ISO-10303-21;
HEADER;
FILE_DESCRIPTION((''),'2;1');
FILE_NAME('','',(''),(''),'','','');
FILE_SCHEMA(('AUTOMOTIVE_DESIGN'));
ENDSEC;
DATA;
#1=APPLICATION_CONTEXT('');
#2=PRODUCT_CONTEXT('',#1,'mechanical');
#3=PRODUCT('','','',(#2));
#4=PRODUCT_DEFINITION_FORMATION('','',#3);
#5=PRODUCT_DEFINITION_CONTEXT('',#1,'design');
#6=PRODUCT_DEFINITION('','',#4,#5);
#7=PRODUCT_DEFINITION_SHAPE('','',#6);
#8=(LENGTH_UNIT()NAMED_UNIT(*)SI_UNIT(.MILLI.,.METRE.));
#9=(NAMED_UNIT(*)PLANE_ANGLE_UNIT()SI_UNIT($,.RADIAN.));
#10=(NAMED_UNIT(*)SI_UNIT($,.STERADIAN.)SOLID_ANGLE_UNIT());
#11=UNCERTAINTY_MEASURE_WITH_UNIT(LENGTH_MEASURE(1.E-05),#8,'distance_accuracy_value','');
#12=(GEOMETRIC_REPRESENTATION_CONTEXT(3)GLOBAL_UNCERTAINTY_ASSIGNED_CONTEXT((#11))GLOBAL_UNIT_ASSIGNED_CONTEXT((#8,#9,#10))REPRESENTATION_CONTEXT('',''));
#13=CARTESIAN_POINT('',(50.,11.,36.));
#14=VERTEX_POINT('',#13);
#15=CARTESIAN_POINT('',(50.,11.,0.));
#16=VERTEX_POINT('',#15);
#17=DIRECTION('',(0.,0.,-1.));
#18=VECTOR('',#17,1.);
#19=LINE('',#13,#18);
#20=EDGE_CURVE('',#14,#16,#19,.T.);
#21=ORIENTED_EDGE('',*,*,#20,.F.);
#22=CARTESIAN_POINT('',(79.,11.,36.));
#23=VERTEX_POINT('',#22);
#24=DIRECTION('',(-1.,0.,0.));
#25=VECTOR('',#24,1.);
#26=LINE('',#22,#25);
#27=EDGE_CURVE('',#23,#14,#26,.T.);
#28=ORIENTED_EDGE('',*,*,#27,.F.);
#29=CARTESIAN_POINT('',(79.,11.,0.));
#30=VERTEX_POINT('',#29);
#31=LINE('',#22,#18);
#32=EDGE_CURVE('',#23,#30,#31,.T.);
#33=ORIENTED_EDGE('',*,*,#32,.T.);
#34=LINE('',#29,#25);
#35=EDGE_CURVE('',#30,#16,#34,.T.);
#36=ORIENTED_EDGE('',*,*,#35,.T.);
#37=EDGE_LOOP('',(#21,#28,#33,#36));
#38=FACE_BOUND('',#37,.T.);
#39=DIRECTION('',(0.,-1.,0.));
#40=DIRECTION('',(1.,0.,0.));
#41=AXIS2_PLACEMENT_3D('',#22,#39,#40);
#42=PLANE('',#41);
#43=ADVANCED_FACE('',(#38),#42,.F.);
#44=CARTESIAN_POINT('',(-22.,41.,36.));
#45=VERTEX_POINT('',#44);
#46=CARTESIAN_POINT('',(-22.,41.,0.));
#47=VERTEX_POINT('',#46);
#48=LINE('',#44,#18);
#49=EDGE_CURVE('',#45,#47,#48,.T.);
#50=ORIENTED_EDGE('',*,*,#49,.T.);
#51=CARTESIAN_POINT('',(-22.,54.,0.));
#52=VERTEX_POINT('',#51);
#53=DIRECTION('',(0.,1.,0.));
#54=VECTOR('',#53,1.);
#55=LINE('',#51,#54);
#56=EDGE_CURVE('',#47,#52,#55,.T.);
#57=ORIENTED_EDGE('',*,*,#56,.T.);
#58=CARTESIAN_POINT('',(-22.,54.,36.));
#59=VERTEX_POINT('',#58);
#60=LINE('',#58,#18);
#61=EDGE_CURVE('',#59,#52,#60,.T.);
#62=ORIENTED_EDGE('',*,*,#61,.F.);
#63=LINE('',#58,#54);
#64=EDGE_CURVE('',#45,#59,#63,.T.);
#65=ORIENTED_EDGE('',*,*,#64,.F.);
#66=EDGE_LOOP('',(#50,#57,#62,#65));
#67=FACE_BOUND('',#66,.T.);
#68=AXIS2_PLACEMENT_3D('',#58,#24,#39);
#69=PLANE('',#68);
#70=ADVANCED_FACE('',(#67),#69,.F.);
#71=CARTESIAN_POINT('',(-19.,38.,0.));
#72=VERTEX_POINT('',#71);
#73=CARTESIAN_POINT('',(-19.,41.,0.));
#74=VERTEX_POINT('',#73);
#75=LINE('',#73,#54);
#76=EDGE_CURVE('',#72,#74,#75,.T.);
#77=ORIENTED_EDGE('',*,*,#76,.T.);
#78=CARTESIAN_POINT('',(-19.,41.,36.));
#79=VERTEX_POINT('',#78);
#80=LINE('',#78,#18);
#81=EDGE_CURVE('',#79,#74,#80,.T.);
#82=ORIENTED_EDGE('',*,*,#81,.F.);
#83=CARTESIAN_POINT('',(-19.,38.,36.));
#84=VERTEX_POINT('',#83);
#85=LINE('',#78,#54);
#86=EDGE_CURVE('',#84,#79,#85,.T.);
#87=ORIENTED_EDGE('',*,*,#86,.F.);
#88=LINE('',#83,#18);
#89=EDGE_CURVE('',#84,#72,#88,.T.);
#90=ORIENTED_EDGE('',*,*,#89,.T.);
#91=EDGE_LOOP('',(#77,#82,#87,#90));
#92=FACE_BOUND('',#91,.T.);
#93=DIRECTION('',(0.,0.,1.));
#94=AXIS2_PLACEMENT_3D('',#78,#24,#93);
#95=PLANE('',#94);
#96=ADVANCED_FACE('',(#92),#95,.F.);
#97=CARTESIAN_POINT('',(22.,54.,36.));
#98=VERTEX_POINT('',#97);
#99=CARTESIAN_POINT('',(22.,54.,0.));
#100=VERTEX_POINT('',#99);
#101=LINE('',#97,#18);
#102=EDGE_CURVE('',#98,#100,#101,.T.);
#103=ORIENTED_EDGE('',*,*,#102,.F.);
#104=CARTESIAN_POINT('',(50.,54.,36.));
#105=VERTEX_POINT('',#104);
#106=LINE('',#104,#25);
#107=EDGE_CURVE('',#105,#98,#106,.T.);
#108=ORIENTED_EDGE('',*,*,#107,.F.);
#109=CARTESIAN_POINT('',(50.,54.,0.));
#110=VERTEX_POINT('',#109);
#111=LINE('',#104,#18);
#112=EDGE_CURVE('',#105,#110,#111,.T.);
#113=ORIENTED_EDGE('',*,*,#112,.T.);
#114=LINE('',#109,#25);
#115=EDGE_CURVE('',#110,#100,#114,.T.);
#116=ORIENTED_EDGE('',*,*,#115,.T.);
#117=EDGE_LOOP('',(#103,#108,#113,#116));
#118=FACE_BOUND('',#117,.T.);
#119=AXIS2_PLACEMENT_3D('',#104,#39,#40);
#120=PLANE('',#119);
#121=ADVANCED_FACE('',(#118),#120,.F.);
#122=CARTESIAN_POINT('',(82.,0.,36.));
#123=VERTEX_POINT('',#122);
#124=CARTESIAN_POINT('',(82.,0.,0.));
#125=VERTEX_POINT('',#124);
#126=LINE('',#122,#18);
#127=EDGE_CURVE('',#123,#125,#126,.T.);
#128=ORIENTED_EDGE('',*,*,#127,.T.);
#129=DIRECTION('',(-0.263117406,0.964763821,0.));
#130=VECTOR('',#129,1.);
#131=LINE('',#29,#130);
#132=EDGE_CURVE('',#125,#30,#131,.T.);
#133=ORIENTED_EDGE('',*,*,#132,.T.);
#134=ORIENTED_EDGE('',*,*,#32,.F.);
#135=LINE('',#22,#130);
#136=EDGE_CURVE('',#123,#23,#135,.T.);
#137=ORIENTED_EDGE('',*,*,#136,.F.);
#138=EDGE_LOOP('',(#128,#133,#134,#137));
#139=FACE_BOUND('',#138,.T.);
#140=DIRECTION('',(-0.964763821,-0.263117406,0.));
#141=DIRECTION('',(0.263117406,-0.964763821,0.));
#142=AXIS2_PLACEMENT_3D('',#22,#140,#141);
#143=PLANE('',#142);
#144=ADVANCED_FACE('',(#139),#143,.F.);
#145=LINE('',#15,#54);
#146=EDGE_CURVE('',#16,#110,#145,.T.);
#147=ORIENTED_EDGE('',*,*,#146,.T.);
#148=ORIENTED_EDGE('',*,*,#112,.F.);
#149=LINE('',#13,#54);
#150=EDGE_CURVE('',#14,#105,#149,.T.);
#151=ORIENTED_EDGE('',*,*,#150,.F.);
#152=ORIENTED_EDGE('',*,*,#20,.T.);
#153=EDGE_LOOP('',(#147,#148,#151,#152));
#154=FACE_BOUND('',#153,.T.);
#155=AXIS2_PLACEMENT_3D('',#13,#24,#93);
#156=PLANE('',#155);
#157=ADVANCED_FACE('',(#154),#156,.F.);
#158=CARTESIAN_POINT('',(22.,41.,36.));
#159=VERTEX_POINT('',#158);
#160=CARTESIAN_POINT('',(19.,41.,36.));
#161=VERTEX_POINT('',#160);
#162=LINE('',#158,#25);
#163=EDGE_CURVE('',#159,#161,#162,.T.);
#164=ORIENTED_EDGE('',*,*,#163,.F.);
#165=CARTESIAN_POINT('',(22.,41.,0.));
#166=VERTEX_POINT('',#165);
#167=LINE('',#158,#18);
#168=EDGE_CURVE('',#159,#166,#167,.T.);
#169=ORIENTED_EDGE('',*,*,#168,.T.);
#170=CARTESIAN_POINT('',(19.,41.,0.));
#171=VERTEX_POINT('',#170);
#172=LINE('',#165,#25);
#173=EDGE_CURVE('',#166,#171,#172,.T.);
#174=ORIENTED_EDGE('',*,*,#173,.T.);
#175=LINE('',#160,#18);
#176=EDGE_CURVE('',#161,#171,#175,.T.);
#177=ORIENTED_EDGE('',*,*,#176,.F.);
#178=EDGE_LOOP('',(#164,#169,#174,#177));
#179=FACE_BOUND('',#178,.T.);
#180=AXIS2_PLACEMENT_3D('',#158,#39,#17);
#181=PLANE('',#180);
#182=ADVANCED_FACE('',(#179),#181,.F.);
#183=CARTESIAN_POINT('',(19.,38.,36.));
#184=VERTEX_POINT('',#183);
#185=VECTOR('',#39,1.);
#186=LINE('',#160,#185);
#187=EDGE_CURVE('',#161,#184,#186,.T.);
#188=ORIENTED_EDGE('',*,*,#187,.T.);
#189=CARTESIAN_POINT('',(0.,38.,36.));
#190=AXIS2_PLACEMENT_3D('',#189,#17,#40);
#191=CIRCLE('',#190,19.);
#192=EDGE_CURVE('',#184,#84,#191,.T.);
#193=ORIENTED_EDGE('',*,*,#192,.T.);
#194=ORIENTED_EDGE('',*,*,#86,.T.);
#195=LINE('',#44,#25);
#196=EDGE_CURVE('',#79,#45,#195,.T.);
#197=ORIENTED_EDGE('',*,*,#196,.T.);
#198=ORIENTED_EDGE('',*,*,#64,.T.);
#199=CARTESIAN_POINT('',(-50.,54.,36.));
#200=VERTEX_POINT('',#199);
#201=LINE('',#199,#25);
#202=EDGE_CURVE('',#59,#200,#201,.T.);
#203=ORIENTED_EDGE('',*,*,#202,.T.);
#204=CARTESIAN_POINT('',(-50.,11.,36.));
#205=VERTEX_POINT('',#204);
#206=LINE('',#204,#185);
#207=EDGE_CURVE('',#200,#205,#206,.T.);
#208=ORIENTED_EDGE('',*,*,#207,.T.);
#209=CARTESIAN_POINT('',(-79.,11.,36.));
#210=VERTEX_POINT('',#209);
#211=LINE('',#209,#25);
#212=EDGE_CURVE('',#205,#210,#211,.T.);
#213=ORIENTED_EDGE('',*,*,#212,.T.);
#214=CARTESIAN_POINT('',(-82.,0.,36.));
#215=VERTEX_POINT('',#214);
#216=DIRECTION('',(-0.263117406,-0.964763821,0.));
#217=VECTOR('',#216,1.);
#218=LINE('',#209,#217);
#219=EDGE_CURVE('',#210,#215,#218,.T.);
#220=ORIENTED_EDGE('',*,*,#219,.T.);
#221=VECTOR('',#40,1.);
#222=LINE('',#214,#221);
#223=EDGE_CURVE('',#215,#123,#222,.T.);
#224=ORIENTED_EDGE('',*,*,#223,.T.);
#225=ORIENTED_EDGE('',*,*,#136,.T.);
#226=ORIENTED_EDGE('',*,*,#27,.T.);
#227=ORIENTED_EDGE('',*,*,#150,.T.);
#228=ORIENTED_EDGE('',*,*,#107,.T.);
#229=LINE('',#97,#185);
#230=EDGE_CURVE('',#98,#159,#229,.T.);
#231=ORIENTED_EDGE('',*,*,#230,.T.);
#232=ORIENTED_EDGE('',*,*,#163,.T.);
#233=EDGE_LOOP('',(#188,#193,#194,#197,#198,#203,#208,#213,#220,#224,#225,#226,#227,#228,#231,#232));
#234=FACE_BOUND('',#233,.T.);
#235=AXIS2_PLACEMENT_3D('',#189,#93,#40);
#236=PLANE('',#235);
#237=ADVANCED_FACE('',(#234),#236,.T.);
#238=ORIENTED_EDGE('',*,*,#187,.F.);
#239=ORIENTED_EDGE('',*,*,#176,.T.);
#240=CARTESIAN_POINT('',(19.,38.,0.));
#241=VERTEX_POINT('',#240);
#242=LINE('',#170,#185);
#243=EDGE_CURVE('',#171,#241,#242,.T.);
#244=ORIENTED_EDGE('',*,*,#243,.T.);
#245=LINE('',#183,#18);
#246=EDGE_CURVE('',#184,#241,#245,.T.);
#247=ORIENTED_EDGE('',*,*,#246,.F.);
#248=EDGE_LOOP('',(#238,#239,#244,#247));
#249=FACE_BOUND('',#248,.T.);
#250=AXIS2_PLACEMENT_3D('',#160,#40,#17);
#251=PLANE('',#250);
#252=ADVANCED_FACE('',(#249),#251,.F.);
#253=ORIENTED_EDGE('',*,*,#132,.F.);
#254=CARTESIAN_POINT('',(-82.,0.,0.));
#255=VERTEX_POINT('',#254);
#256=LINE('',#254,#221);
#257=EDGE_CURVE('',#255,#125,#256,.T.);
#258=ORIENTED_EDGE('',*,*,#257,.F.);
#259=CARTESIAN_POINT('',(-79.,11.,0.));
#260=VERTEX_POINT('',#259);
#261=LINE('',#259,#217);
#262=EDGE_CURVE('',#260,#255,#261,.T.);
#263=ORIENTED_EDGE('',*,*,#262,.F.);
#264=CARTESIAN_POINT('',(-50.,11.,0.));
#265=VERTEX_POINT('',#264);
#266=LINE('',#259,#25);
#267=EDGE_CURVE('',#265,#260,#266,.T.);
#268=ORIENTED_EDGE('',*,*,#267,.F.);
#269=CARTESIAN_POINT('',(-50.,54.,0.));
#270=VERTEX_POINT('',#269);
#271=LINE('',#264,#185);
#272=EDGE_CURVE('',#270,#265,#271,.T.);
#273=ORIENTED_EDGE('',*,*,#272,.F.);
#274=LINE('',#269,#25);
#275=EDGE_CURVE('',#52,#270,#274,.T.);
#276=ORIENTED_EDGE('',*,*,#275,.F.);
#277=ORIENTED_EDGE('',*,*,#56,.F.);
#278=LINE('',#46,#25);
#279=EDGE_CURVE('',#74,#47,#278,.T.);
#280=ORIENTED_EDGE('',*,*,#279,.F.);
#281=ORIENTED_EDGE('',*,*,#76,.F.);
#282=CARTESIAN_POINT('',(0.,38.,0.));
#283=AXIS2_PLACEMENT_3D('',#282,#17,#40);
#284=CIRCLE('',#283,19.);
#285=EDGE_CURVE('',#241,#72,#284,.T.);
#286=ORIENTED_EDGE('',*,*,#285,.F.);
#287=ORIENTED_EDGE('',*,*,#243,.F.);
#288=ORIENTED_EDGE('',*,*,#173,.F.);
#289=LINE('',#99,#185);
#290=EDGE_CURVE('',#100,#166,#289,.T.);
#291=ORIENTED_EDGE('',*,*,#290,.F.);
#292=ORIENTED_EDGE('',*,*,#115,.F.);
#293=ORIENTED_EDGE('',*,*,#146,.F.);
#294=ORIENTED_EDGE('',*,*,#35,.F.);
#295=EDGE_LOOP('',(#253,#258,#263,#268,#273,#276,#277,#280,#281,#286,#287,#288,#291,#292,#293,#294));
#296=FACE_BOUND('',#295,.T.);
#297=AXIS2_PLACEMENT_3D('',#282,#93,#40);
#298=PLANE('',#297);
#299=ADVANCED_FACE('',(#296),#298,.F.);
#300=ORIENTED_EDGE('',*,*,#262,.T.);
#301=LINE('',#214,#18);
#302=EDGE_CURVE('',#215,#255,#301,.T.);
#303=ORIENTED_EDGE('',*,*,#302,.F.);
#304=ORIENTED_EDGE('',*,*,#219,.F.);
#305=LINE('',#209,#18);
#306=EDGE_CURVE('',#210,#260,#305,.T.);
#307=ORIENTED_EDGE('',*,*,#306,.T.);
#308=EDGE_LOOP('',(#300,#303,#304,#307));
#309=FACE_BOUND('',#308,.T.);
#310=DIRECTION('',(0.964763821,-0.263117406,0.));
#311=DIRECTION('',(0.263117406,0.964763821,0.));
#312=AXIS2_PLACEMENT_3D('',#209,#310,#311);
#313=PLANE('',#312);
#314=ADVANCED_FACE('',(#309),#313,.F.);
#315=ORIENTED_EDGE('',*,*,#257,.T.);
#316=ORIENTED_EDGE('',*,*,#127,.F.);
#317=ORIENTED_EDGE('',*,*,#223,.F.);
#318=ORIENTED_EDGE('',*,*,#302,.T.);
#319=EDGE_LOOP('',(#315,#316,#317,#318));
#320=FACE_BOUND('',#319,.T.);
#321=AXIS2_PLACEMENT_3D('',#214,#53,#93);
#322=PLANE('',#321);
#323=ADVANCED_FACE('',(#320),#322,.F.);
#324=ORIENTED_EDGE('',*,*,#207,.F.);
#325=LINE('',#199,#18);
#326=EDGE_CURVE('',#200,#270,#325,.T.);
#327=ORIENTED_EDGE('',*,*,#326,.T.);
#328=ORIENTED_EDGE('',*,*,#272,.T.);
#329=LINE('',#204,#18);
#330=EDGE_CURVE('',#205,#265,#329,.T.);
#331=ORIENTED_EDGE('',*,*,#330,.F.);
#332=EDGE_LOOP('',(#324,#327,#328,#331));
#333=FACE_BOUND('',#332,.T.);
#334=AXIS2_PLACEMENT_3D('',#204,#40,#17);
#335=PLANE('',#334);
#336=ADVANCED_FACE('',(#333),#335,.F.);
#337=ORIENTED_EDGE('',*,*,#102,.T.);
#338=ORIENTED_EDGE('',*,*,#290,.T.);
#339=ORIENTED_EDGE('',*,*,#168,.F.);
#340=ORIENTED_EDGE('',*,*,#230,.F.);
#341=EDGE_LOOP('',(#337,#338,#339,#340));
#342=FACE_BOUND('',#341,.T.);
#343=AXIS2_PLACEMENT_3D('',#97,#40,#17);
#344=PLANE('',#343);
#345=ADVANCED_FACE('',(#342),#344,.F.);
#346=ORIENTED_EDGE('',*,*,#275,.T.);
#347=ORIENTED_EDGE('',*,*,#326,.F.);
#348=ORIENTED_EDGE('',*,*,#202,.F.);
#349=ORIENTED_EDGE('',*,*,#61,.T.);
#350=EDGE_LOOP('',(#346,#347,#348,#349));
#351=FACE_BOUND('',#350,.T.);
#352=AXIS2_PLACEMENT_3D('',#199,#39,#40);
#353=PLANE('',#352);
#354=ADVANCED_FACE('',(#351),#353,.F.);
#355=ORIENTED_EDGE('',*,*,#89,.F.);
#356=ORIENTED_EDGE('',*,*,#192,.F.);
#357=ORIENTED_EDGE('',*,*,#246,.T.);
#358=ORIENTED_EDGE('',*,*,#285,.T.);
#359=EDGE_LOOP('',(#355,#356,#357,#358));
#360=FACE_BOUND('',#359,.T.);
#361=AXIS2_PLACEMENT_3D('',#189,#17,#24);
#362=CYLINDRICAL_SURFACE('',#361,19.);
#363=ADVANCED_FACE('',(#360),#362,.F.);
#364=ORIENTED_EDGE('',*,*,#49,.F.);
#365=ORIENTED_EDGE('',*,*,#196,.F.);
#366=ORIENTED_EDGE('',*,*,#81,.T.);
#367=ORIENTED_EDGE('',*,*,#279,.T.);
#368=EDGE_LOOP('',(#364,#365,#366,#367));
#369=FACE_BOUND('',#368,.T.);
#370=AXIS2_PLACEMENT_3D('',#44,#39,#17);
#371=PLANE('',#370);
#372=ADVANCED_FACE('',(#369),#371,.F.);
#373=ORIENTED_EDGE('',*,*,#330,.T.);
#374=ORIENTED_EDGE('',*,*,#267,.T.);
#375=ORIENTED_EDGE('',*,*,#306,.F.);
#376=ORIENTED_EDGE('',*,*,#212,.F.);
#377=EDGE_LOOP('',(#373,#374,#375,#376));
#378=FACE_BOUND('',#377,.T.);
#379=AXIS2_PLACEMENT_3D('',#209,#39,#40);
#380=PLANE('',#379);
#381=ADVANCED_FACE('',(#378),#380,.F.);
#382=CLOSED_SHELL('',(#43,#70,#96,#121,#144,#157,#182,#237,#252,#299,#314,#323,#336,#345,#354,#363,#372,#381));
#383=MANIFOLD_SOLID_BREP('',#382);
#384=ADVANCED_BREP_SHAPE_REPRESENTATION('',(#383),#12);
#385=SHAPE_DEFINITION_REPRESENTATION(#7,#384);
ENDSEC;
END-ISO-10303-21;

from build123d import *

# Parameters (mm, degrees)
BOSS_EXTRUDE2_DEPTH = 36


with BuildPart() as part:
    # Sketch1 → Boss-Extrude2 (new body)
    with BuildSketch(Plane.XY):
        with BuildLine():
            Line((-82, 0), (82, 0))
            Line((82, 0), (79, 11))
            Line((79, 11), (50, 11))
            Line((50, 11), (50, 54))
            Line((50, 54), (22, 54))
            Line((22, 54), (22, 41))
            Line((22, 41), (19, 41))
            Line((19, 41), (19, 38))
            ThreePointArc((19, 38), (0, 19), (-19, 38))
            Line((-19, 38), (-19, 41))
            Line((-19, 41), (-22, 41))
            Line((-22, 41), (-22, 54))
            Line((-22, 54), (-50, 54))
            Line((-50, 54), (-50, 11))
            Line((-50, 11), (-79, 11))
            Line((-79, 11), (-82, 0))
        make_face()
    extrude(amount=BOSS_EXTRUDE2_DEPTH)


solid = part.part
